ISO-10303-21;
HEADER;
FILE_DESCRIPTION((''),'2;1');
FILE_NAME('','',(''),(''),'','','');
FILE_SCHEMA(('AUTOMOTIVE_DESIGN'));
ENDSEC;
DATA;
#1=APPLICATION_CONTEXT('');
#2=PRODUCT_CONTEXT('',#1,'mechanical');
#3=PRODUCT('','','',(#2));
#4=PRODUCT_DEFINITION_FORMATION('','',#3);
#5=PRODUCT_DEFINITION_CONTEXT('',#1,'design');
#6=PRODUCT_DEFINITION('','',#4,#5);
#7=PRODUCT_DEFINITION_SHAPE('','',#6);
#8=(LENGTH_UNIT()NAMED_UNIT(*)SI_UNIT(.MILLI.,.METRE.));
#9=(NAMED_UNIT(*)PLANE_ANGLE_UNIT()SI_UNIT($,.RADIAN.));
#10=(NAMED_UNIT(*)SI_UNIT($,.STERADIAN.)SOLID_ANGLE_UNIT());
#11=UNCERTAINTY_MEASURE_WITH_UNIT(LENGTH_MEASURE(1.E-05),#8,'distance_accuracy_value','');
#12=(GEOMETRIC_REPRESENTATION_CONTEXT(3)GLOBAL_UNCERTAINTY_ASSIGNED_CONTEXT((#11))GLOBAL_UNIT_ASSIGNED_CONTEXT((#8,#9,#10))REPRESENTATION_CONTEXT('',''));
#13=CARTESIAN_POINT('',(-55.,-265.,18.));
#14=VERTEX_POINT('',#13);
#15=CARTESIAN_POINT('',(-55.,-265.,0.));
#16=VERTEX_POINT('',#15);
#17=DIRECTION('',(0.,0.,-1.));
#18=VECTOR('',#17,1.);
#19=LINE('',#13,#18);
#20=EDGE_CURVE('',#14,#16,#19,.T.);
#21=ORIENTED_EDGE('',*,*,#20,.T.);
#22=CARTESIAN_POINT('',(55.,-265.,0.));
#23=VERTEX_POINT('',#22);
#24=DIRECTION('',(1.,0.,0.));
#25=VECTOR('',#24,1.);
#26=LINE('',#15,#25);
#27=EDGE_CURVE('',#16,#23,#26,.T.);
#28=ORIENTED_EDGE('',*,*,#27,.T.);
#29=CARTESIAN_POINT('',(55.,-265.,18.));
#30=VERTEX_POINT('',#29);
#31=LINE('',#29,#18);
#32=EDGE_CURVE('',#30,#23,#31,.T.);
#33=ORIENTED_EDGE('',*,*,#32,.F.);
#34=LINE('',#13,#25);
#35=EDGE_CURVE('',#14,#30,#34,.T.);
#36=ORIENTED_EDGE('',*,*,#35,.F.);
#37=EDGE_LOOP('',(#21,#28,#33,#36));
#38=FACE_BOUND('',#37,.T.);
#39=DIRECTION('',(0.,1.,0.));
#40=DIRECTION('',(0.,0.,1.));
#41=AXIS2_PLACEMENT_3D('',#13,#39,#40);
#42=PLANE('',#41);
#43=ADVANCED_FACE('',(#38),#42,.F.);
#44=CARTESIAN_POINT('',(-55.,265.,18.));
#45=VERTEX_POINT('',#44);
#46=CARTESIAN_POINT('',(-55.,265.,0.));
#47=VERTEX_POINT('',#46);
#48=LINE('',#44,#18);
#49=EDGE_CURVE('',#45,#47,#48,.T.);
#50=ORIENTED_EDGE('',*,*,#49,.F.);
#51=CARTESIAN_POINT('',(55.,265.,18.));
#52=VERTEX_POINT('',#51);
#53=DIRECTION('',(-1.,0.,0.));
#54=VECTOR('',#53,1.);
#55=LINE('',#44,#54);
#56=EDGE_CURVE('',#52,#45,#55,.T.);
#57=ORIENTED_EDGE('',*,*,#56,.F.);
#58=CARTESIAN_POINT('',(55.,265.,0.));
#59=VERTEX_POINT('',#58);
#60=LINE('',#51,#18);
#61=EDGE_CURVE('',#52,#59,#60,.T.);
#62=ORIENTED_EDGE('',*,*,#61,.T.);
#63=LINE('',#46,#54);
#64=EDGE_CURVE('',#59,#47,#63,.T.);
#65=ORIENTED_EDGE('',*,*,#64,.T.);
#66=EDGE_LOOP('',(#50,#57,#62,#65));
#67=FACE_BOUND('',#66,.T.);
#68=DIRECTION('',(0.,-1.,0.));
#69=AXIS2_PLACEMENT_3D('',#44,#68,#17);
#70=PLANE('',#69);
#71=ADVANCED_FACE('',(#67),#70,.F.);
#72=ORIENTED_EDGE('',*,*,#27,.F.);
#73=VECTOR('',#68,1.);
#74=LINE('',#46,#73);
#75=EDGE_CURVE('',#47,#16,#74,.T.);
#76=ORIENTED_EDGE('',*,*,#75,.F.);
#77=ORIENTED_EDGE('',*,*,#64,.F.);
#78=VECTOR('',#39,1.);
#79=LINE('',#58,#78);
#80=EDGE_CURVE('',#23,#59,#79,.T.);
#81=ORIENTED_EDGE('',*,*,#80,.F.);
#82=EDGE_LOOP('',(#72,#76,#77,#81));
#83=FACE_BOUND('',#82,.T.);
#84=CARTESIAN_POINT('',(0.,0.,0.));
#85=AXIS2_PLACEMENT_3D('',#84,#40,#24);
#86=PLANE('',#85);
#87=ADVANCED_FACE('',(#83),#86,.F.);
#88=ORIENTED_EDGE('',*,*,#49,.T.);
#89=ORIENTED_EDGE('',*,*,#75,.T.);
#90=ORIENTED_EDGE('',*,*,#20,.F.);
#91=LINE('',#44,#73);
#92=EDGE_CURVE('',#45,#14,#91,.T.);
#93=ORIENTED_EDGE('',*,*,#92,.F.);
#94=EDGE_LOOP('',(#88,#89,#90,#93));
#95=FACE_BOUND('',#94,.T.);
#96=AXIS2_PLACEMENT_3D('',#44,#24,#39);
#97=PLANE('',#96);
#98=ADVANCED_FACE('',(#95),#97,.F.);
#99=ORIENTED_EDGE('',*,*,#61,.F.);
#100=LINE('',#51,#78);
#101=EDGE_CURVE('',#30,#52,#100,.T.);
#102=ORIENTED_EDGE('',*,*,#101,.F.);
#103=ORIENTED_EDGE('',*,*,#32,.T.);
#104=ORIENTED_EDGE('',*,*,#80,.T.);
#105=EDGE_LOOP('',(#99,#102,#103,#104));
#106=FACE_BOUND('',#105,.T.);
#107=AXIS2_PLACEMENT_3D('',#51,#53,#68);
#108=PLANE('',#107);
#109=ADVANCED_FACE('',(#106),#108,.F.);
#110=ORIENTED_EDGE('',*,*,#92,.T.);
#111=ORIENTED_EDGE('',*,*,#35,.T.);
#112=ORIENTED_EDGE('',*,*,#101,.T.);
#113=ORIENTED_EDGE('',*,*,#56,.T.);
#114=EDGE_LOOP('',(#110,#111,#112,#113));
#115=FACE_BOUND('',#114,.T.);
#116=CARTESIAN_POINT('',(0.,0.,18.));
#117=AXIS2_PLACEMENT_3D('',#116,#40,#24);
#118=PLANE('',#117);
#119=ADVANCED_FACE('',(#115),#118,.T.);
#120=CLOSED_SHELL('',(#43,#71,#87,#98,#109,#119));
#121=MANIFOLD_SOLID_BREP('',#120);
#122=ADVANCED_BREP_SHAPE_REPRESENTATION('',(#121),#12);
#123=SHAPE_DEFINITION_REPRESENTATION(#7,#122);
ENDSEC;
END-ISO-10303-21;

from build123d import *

# Parameters (mm, degrees)
SKETCH1_W           = 110
SKETCH1_H           = 530
BOSS_EXTRUDE1_DEPTH = 18


with BuildPart() as part:
    # Sketch1 → Boss-Extrude1 (new body)
    with BuildSketch(Plane.XY):
        Rectangle(SKETCH1_W, SKETCH1_H)
    extrude(amount=BOSS_EXTRUDE1_DEPTH)


solid = part.part
